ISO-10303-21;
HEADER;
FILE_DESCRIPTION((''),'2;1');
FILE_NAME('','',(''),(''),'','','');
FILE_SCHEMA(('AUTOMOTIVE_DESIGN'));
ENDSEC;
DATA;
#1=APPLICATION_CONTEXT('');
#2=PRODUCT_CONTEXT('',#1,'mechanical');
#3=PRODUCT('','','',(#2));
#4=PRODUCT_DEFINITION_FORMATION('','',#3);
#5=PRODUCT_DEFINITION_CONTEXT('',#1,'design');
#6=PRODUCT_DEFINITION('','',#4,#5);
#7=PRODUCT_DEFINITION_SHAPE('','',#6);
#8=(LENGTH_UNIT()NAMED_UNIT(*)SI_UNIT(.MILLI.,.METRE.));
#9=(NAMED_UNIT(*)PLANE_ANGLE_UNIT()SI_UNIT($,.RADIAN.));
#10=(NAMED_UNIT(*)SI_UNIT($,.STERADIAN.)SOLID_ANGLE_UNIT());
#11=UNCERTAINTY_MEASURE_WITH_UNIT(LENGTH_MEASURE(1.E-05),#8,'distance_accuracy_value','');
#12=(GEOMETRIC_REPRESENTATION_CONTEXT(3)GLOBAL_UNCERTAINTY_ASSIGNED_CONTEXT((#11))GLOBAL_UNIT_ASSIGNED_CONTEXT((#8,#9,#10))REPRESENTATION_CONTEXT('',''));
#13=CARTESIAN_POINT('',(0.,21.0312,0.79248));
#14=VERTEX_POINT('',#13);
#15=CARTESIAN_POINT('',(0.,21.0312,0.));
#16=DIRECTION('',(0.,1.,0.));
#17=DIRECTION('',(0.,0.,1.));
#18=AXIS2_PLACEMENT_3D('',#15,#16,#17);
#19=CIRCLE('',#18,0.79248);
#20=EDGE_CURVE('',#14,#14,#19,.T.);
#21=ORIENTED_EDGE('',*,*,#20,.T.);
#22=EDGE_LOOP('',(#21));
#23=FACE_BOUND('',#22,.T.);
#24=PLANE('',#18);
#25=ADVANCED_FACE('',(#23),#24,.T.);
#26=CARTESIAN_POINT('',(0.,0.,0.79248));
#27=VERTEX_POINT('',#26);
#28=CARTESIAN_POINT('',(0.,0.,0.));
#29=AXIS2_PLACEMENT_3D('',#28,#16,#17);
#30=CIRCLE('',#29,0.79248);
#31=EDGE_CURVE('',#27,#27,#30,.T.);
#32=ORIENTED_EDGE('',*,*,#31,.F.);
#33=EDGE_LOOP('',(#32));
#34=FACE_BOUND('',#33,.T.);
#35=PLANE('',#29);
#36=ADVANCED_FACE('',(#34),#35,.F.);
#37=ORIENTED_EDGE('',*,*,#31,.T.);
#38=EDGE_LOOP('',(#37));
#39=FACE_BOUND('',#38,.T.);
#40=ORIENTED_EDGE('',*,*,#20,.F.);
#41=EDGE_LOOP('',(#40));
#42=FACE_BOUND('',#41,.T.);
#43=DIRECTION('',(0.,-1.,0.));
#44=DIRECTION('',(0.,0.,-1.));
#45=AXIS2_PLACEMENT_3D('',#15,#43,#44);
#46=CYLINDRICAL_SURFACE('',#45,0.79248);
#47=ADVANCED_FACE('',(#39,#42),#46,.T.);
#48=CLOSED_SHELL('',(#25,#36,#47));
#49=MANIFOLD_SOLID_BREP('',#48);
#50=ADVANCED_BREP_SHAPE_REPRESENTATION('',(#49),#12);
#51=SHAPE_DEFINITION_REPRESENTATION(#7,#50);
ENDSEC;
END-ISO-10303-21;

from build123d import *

# Parameters (mm, degrees)
TD_SKETCH_R      = 0.79248
TL_FEATURE_DEPTH = 21.0312


with BuildPart() as part:
    # TD_sketch → TL_feature (new body)
    with BuildSketch(Plane(origin=(0, 0, 0), x_dir=(1, 0, 0), z_dir=(0, 1, 0))):
        with Locations(Location((0, 0, 0), (0, 0, 270))):
            Circle(TD_SKETCH_R)
    extrude(amount=TL_FEATURE_DEPTH)


solid = part.part
